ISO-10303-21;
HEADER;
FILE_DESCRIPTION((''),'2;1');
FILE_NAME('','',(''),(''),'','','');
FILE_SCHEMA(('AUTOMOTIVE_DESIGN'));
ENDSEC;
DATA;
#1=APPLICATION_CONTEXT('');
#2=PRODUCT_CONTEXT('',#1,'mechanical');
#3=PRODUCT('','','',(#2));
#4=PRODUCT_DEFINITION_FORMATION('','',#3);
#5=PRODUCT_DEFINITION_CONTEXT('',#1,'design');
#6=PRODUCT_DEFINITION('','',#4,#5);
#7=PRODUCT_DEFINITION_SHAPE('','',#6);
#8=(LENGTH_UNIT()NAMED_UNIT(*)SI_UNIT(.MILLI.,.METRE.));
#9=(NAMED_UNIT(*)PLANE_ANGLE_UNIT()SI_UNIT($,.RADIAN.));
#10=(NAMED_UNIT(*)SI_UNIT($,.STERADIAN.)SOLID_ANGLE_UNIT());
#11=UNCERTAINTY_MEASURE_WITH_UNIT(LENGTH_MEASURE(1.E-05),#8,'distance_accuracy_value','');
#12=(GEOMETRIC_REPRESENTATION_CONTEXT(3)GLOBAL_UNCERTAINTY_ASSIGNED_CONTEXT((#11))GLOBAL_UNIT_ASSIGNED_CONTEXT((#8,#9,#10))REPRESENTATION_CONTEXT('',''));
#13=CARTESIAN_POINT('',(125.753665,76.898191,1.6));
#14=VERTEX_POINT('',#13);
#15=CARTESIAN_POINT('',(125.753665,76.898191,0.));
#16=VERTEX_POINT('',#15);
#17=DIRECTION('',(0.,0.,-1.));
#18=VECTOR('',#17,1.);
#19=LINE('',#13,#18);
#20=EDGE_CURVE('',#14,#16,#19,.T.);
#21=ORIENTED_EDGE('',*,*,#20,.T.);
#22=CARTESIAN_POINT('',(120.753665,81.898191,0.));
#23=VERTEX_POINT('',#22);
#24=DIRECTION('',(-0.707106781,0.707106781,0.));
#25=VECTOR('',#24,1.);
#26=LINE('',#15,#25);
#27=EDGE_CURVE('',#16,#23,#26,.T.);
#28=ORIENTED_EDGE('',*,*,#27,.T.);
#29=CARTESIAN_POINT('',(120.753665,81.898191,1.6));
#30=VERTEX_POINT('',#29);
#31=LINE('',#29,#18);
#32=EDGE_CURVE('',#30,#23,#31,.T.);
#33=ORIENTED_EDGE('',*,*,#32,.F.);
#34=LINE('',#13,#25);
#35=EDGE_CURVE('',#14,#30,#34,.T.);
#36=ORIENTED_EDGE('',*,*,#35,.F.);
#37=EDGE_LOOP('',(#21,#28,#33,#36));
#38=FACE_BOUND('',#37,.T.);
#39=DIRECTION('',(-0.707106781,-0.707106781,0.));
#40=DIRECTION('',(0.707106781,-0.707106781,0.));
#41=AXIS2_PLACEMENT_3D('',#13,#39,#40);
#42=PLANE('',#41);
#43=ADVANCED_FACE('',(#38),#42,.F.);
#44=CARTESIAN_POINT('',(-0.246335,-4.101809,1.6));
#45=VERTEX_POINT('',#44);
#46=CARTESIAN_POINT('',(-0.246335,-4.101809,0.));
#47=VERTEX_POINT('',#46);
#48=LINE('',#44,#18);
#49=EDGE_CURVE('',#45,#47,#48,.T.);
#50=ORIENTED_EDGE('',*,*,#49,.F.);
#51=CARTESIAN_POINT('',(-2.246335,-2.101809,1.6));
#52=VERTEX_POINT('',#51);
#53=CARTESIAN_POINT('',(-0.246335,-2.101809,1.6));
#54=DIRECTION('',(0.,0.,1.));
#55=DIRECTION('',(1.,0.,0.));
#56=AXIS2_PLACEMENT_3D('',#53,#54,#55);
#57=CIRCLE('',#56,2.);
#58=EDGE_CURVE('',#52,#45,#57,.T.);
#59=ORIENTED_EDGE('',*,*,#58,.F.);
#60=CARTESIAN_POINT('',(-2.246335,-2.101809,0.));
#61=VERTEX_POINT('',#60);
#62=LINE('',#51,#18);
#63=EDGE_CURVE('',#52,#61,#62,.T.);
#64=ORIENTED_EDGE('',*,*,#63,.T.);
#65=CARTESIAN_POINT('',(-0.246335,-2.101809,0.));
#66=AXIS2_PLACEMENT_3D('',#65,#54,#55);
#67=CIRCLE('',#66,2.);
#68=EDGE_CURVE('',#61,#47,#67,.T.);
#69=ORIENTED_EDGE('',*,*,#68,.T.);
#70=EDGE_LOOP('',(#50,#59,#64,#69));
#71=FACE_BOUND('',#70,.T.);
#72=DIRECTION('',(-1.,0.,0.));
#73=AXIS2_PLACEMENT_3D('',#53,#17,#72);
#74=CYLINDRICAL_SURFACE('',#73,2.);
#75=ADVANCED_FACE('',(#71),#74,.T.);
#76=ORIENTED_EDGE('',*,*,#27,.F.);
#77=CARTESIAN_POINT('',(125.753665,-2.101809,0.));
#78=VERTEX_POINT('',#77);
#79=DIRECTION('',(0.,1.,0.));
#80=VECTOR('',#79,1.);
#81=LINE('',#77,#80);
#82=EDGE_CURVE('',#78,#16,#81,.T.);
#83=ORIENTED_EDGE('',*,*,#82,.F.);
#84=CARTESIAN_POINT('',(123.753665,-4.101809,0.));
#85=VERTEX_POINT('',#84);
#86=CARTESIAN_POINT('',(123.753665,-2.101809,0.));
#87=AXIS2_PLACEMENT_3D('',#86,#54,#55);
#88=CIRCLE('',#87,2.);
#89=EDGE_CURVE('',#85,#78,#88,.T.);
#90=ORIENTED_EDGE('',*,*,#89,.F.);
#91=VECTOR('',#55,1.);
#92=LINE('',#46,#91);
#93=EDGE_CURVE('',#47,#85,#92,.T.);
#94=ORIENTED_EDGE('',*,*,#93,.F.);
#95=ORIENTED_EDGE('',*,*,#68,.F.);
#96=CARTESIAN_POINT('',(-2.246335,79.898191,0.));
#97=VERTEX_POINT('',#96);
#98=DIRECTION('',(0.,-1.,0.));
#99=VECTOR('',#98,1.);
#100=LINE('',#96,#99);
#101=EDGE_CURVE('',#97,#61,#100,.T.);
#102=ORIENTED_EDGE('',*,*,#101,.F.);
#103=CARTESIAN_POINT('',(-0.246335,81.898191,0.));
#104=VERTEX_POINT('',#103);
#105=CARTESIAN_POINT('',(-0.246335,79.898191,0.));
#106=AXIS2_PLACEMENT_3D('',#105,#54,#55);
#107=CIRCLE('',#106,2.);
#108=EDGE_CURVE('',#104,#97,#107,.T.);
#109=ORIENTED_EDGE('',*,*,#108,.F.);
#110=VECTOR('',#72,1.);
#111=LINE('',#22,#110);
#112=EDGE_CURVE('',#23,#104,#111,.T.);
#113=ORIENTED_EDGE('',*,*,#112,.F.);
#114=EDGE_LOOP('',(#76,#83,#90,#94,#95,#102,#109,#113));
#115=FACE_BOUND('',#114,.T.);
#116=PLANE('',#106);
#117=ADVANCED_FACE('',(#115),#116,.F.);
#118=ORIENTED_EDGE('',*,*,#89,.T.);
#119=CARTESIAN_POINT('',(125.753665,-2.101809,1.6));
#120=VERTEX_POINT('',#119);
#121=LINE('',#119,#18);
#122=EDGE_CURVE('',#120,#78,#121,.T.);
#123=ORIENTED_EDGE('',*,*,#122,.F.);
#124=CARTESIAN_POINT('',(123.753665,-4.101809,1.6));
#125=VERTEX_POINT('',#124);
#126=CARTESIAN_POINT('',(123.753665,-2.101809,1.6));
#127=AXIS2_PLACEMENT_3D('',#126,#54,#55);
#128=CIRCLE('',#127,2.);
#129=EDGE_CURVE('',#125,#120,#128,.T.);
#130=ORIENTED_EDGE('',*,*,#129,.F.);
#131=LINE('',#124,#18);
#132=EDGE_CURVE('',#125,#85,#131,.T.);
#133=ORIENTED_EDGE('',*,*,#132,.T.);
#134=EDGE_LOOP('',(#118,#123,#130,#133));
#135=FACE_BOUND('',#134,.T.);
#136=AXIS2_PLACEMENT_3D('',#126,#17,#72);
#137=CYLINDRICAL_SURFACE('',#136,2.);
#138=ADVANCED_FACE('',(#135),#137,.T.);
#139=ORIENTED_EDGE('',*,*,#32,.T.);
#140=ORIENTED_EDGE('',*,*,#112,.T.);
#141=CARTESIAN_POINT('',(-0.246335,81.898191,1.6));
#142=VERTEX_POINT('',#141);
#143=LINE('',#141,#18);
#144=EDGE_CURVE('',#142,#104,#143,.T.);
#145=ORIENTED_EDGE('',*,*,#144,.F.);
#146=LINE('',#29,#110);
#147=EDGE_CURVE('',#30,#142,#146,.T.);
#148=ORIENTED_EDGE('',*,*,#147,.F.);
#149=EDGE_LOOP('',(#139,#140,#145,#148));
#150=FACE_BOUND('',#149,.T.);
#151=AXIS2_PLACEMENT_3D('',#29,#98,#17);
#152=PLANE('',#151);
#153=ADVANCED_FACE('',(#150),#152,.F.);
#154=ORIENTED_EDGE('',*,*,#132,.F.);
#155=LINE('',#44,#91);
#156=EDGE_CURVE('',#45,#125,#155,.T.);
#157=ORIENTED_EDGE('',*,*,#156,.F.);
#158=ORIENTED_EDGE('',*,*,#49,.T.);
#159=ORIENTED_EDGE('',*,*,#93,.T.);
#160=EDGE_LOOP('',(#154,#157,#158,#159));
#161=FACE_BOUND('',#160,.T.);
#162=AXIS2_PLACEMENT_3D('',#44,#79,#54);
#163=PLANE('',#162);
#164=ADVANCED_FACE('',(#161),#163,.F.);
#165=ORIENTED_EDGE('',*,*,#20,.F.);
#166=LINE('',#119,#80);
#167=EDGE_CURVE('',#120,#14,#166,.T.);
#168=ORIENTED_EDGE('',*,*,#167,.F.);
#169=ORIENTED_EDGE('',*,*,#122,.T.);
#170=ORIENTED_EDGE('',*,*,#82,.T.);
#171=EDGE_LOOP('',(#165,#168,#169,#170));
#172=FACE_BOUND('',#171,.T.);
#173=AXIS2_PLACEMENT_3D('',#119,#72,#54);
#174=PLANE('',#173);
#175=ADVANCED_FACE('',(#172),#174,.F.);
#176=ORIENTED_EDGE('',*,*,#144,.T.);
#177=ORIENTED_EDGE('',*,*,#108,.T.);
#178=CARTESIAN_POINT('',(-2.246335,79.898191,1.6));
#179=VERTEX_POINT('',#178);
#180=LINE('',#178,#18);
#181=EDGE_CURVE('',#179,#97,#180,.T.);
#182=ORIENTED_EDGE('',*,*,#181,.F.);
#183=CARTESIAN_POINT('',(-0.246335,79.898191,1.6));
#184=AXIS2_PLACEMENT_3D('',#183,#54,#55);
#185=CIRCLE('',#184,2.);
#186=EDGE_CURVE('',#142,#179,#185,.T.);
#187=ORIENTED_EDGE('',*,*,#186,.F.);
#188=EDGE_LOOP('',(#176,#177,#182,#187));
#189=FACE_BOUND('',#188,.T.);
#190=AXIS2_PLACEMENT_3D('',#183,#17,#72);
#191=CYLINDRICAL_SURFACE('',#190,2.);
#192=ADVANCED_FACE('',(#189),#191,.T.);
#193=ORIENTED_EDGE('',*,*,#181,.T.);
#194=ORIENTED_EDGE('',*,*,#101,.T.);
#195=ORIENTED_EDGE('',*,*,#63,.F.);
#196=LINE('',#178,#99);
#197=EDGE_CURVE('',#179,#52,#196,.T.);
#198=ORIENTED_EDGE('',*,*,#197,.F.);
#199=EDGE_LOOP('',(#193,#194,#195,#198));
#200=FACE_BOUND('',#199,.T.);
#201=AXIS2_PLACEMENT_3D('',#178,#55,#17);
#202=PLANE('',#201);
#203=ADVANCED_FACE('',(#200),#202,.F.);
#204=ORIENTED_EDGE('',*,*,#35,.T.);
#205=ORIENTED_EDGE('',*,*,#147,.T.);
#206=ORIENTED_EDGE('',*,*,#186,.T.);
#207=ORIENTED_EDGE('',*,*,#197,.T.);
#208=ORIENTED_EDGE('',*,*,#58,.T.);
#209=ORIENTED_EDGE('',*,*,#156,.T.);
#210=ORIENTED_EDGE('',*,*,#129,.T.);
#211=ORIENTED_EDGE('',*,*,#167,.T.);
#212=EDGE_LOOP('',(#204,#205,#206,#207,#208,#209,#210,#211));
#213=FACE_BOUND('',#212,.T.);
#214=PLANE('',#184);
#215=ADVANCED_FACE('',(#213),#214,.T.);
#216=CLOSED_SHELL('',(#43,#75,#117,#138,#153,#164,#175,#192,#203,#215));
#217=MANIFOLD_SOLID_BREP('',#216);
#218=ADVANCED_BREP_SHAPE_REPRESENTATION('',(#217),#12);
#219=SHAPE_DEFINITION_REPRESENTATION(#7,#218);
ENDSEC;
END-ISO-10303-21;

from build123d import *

# Parameters (mm, degrees)
BOSS_EXTRUDE1_DEPTH = 1.6


with BuildPart() as part:
    # Sketch1 → Boss-Extrude1 (new body)
    with BuildSketch(Plane.XY):
        with BuildLine():
            Line((-2.246334873, 79.89819124), (-2.246334873, -2.101808758))
            ThreePointArc((-2.246334873, -2.101808758), (-1.660548435, -3.516022321), (-0.246334873, -4.101808758))
            Line((-0.246334873, -4.101808758), (123.753665128, -4.101808758))
            ThreePointArc((123.753665128, -4.101808758), (125.16787869, -3.516022321), (125.753665128, -2.101808758))
            Line((125.753665128, -2.101808758), (125.753665128, 76.89819124))
            Line((125.753665128, 76.89819124), (120.753665128, 81.89819124))
            Line((120.753665128, 81.89819124), (-0.246334873, 81.89819124))
            ThreePointArc((-0.246334873, 81.89819124), (-1.660548435, 81.312404802), (-2.246334873, 79.89819124))
        make_face()
    extrude(amount=BOSS_EXTRUDE1_DEPTH)


solid = part.part
